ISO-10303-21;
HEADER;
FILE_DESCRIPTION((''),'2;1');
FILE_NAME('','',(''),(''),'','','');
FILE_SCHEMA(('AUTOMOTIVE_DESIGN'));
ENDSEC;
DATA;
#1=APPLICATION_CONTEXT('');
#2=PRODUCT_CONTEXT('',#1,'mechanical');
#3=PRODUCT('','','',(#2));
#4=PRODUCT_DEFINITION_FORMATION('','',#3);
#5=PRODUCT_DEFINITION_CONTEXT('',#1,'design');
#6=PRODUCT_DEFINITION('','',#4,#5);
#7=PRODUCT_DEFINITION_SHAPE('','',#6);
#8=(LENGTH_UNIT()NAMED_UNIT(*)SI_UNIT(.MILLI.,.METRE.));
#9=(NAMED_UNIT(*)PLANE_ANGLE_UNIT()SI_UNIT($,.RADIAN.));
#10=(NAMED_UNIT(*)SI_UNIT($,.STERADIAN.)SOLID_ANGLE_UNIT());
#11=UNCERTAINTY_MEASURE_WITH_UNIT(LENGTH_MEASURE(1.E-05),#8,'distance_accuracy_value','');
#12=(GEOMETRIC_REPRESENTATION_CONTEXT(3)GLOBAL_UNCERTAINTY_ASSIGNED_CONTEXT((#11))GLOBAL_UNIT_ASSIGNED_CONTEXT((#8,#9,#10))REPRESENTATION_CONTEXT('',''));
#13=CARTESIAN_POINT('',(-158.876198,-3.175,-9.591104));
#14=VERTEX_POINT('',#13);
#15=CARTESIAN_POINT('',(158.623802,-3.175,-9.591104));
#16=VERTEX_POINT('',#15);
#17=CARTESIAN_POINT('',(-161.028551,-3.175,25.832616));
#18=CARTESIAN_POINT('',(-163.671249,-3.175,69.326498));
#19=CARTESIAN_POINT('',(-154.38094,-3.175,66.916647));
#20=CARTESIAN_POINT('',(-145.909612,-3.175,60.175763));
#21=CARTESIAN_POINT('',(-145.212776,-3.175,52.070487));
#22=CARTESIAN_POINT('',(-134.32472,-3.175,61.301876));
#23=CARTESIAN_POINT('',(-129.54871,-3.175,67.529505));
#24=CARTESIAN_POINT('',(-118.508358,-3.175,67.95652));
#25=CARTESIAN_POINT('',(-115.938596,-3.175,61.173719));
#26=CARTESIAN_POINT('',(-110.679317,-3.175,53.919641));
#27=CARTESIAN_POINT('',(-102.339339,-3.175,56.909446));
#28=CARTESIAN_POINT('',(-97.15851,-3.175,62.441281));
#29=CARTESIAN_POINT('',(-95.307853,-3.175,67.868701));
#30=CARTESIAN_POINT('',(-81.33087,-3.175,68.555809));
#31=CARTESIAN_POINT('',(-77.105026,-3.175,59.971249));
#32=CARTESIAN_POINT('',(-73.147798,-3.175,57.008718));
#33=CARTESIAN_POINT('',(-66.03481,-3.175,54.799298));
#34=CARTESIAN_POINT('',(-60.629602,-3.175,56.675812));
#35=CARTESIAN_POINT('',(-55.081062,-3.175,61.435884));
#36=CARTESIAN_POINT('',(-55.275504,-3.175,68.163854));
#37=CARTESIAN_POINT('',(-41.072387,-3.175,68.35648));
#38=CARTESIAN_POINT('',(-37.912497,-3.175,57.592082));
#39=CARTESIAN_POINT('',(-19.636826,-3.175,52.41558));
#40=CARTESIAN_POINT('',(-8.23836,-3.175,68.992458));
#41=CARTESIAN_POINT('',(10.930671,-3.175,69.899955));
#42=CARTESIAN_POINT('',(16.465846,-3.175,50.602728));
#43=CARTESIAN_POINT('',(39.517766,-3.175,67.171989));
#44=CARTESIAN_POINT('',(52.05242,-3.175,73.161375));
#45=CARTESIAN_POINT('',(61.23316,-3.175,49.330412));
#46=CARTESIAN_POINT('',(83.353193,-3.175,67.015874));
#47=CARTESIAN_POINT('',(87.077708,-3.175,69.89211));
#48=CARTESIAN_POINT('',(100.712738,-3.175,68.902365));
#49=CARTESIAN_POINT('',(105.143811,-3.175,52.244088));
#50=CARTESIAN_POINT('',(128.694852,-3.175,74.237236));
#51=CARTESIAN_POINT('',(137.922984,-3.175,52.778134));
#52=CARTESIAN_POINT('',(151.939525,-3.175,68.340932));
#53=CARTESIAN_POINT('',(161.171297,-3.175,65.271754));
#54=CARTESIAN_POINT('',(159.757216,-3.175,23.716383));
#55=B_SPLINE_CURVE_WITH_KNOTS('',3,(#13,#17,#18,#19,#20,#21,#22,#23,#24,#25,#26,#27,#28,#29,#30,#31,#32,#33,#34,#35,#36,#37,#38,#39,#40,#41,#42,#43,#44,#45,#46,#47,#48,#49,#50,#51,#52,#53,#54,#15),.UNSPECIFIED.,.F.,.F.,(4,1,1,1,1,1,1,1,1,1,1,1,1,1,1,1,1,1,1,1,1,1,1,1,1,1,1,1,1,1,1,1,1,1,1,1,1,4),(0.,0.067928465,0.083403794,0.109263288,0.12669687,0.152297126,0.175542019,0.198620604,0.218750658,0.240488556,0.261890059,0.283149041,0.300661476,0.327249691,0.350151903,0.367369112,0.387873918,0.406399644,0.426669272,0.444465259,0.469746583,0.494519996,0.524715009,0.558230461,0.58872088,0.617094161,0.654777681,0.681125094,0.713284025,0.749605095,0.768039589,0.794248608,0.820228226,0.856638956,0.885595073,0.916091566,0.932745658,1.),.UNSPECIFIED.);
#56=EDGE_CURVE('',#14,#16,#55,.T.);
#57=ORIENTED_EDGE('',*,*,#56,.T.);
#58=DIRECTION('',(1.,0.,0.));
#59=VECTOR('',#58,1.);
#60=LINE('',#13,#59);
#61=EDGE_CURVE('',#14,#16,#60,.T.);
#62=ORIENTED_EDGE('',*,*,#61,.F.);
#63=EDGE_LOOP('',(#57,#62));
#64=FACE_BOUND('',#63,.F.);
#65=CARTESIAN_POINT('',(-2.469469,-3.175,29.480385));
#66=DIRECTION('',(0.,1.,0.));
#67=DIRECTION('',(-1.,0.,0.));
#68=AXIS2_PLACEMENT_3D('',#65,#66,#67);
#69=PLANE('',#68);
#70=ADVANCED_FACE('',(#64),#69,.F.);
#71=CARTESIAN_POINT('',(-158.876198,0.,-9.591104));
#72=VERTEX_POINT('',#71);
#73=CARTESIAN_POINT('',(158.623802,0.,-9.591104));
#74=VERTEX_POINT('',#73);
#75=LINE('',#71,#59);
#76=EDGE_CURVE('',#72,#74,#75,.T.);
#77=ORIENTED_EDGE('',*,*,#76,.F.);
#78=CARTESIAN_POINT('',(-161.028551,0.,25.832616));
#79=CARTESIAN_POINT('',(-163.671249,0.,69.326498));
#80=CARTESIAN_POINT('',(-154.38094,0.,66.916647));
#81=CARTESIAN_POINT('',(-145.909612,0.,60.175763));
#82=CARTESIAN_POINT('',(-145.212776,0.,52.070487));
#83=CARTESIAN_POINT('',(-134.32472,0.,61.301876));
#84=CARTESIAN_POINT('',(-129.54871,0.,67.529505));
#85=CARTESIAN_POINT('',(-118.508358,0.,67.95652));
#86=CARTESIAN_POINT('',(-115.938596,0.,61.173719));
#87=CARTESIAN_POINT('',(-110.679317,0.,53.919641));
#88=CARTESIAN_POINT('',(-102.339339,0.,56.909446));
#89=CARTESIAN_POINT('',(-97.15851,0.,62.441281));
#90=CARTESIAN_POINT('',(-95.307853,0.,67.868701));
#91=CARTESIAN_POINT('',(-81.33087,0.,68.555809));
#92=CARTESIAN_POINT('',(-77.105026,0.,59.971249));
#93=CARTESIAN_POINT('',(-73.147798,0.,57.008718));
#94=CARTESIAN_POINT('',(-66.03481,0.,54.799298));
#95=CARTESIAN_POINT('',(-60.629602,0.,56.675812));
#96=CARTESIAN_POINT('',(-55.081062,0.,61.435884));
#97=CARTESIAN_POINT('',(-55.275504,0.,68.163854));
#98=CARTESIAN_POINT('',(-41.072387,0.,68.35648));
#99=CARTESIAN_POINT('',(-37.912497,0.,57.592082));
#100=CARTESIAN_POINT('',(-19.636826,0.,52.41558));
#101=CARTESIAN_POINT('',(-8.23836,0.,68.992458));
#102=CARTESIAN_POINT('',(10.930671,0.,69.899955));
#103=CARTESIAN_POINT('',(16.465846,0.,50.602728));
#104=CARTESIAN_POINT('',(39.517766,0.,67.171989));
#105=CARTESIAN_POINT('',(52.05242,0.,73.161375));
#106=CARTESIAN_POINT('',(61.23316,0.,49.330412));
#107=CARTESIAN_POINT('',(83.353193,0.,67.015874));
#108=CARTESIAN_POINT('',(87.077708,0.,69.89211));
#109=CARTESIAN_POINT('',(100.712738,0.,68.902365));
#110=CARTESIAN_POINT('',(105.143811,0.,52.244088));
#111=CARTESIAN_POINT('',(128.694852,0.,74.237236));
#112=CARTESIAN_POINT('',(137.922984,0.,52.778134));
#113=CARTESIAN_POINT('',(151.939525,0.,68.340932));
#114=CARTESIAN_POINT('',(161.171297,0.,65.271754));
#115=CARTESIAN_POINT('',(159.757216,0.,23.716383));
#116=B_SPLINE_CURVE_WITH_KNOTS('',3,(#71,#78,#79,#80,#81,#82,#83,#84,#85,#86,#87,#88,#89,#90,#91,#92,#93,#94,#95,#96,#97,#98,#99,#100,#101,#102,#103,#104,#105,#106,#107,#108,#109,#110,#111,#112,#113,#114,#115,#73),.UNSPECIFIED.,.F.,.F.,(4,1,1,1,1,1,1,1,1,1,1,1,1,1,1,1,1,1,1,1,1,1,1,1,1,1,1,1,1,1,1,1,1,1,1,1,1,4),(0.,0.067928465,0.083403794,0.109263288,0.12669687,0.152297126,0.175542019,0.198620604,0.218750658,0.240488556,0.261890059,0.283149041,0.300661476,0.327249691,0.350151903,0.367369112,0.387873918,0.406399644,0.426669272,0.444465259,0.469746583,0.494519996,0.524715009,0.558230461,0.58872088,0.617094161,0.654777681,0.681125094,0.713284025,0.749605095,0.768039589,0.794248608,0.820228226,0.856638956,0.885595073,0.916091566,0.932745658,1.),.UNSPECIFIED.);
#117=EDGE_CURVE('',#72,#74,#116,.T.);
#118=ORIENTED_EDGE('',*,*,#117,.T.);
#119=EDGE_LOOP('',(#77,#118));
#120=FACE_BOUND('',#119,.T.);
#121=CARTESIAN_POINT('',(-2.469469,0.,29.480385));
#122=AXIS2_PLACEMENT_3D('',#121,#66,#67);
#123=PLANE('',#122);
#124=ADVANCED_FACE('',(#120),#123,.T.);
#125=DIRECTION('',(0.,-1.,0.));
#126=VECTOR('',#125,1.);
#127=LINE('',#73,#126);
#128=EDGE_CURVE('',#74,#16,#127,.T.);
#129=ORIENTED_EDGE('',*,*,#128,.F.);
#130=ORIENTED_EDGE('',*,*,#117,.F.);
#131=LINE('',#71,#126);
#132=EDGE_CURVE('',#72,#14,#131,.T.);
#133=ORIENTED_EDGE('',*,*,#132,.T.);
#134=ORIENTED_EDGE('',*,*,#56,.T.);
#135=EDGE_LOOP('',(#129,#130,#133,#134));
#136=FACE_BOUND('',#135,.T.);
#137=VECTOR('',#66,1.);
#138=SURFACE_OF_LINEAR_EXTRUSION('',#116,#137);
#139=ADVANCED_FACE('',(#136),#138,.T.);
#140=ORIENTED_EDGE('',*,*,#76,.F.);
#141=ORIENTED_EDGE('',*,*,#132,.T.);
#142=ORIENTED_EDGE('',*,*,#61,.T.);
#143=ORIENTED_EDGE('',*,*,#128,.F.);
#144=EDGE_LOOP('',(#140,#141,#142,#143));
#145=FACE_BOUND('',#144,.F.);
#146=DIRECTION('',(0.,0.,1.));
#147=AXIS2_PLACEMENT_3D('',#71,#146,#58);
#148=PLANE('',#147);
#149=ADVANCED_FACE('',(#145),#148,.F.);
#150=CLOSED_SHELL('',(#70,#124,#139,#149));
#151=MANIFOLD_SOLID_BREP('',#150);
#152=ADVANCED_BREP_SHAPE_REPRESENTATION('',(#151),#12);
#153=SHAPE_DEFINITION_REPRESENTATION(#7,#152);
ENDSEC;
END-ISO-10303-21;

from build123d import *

# Parameters (mm, degrees)
F1_DEPTH = 3.175


with BuildPart() as f1:
    # F0 (on Front) → F1 (new body)
    with BuildSketch(Plane.XZ):
        with BuildLine():
            add(Edge.make_bspline(
                [(-158.8761979342, -9.5911044627), (-161.0285512439, 25.8326158543), (-163.6712494196, 69.3264979378), (-154.3809397987, 66.916646857), (-145.9096124501, 60.1757629246), (-145.2127763143, 52.0704873742), (-134.3247199226, 61.3018761551), (-129.5487098826, 67.5295047268), (-118.5083577364, 67.9565201246), (-115.9385964144, 61.1737194178), (-110.6793173272, 53.9196410983), (-102.3393387387, 56.9094460713), (-97.1585100675, 62.4412809935), (-95.3078526707, 67.8687006176), (-81.3308701585, 68.5558086514), (-77.1050261002, 59.9712485822), (-73.1477980131, 57.0087177337), (-66.0348098425, 54.7992979023), (-60.6296018727, 56.6758119461), (-55.0810624254, 61.4358843768), (-55.2755039917, 68.163854296), (-41.0723872088, 68.3564797939), (-37.9124971269, 57.5920818745), (-19.636825659, 52.4155800379), (-8.2383597974, 68.9924577269), (10.9306711939, 69.8999548252), (16.4658461439, 50.6027275392), (39.5177658123, 67.1719888432), (52.0524198314, 73.1613750526), (61.2331596467, 49.3304118096), (83.3531927346, 67.0158736304), (87.0777082936, 69.8921098185), (100.7127381911, 68.9023646148), (105.143810571, 52.2440882664), (128.6948516833, 74.237236219), (137.9229836478, 52.7781335989), (151.93952452, 68.3409317575), (161.1712966125, 65.2717541975), (159.7572164806, 23.7163831822), (158.6238020658, -9.5911044627)],
                knots=[0, 0, 0, 0, 0.0679284652, 0.0834037936, 0.1092632877, 0.12669687, 0.1522971261, 0.1755420191, 0.198620604, 0.2187506576, 0.2404885563, 0.2618900587, 0.283149041, 0.3006614761, 0.3272496912, 0.3501519034, 0.3673691123, 0.3878739177, 0.4063996435, 0.4266692716, 0.4444652585, 0.4697465826, 0.4945199959, 0.5247150088, 0.5582304614, 0.5887208802, 0.6170941611, 0.6547776806, 0.6811250938, 0.7132840253, 0.7496050954, 0.7680395887, 0.7942486081, 0.8202282264, 0.8566389561, 0.8855950733, 0.9160915659, 0.932745658, 1, 1, 1, 1], degree=3))
            Line((-158.8761979342, -9.5911044627), (158.6238020658, -9.5911044627))
        make_face()
    extrude(amount=F1_DEPTH)


solid = f1.part
